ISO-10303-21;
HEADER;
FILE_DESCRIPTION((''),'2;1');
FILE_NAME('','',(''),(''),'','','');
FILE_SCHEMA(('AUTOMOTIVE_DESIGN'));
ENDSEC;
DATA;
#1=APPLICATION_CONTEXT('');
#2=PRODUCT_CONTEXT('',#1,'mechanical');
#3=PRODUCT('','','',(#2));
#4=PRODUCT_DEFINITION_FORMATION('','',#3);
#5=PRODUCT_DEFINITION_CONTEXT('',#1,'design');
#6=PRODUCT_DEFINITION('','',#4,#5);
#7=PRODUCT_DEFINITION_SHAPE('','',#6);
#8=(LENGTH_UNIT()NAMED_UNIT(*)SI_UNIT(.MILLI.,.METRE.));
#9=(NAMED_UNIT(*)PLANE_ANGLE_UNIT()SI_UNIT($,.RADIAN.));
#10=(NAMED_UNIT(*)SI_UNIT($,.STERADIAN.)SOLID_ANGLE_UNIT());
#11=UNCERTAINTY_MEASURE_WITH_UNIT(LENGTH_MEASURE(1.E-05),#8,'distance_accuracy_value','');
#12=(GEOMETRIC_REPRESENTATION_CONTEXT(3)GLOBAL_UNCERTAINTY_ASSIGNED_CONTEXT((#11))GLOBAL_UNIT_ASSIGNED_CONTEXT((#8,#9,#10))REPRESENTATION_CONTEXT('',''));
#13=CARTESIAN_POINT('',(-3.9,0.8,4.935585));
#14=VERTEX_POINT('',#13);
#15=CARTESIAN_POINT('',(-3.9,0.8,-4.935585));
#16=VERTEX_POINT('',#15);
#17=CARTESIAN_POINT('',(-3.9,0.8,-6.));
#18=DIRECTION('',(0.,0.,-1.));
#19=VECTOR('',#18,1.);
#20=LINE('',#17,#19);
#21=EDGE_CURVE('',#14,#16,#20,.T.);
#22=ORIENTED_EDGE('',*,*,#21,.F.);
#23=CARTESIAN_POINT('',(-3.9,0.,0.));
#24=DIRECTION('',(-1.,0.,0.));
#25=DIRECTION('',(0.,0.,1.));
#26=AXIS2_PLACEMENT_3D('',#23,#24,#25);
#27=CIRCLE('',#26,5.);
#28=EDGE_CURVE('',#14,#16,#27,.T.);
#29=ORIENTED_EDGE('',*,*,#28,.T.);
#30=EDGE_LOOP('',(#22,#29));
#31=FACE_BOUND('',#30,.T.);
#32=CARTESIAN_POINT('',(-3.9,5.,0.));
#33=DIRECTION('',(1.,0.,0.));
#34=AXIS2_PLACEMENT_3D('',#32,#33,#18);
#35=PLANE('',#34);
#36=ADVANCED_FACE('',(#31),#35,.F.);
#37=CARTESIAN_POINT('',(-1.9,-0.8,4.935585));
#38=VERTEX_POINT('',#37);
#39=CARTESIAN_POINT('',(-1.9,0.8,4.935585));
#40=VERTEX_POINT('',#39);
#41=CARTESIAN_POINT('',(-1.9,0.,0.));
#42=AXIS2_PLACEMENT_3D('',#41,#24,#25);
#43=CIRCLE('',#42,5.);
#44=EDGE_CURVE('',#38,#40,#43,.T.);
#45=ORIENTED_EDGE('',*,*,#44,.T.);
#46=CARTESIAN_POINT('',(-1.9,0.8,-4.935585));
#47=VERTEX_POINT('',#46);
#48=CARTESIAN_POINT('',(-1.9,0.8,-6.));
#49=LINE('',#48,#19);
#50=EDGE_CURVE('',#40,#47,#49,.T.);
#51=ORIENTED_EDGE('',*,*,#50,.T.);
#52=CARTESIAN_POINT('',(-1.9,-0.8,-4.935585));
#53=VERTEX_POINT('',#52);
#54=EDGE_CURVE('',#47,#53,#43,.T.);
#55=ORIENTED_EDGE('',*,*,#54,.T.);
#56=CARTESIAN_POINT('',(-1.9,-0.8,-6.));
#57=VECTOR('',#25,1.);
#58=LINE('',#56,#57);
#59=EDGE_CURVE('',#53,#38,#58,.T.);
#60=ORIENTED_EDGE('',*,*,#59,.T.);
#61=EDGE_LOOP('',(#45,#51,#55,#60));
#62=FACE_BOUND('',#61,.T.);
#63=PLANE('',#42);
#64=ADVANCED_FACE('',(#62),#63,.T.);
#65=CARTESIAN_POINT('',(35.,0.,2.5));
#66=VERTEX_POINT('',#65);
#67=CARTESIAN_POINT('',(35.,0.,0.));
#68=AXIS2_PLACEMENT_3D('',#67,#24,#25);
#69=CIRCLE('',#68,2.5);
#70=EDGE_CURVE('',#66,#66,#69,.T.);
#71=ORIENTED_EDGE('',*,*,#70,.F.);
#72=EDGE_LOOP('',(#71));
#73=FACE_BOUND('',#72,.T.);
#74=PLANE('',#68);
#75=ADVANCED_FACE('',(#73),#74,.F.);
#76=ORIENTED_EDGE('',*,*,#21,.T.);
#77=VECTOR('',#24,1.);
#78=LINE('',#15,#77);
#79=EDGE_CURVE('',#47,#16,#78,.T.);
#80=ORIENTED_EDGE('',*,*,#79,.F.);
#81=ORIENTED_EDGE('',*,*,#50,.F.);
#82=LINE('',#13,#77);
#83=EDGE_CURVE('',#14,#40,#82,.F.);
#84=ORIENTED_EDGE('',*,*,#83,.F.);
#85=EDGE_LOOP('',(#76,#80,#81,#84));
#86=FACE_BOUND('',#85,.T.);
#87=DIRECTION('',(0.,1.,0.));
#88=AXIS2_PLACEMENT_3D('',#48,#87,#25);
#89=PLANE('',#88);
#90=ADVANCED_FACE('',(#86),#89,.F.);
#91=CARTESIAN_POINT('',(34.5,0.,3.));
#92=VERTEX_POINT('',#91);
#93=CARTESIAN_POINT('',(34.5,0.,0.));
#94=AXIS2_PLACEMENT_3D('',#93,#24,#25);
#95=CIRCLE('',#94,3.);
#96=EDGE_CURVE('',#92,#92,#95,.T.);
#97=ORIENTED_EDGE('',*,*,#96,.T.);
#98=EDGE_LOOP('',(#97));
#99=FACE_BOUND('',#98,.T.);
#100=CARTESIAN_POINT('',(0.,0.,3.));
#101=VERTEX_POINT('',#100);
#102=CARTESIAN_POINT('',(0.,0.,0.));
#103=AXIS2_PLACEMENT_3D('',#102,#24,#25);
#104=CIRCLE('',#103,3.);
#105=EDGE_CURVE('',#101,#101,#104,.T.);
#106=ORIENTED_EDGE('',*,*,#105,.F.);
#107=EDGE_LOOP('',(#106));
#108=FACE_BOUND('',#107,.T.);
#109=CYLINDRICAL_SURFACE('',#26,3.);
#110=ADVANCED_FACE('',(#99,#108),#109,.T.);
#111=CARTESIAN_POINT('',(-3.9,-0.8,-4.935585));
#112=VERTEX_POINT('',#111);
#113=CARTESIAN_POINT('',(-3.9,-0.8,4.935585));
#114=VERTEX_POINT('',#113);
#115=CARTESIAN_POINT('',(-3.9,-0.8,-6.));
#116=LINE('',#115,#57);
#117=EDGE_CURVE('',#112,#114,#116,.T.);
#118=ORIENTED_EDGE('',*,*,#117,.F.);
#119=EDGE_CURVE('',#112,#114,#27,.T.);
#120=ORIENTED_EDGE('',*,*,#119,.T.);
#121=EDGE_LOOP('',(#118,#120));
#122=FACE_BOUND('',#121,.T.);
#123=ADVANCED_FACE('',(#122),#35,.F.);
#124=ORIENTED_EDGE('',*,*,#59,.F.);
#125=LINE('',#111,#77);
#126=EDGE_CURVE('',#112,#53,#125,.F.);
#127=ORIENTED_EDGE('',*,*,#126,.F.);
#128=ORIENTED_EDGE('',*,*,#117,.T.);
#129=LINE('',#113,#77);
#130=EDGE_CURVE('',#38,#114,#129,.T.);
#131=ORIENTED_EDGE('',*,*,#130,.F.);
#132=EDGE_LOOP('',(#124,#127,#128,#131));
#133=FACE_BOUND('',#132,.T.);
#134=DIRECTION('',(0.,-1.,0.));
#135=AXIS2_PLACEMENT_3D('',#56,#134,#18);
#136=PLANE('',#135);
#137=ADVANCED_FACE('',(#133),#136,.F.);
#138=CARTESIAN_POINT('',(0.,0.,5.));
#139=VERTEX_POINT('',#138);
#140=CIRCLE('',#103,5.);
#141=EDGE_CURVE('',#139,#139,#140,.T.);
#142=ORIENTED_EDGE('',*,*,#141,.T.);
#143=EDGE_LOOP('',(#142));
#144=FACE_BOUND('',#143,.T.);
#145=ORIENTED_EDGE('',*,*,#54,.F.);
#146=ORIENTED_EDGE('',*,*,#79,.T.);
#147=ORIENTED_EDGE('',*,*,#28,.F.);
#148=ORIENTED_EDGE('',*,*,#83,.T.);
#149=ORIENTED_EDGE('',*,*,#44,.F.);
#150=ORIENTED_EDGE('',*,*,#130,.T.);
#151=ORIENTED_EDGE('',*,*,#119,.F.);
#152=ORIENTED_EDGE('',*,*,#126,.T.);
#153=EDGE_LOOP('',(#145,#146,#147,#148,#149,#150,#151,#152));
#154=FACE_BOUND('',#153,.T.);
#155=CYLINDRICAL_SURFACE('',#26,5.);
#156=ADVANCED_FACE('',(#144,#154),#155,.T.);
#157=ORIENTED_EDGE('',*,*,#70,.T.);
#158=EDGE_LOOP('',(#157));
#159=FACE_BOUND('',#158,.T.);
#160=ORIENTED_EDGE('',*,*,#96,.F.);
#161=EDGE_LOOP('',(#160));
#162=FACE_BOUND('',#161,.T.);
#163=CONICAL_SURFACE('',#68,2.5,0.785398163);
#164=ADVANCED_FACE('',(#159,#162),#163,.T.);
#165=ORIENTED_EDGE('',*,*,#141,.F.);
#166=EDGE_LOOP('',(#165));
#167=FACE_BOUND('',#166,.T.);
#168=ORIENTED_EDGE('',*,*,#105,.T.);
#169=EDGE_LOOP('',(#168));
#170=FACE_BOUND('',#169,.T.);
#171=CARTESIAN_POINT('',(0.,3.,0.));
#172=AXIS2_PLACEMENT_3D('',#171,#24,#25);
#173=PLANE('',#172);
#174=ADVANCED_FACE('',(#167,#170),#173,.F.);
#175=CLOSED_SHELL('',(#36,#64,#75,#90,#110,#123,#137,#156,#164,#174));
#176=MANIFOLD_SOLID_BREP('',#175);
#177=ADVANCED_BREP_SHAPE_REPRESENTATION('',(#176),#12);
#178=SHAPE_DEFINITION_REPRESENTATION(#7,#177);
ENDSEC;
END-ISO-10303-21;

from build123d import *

# Parameters (mm, degrees)
ESQUISSE2_W             = 12
ESQUISSE2_H             = 1.6
ENL_V_MAT_EXTRU_1_DEPTH = 2


with BuildPart() as part:
    # Esquisse1 → Révolution1 (revolve)
    with BuildSketch(Plane.XY, mode=Mode.PRIVATE) as r_volution1_sk:
        Polygon((0, 3), (0, 5), (-3.9, 5), (-3.9, 0), (35, 0), (35, 2.5), (34.5, 3), align=None)
    revolve(r_volution1_sk.sketch.rotate(Axis((-3.9, 0, 0), (1, 0, 0)), 90), axis=Axis((-3.9, 0, 0), (1, 0, 0)))  # turned: the seam where the file's is

    # Esquisse2 → Enlèv. mat.-Extru.1 (cut)
    with BuildSketch(Plane.ZY.offset(3.9)):
        Rectangle(ESQUISSE2_W, ESQUISSE2_H)
    extrude(amount=-ENL_V_MAT_EXTRU_1_DEPTH, mode=Mode.SUBTRACT)


solid = part.part
